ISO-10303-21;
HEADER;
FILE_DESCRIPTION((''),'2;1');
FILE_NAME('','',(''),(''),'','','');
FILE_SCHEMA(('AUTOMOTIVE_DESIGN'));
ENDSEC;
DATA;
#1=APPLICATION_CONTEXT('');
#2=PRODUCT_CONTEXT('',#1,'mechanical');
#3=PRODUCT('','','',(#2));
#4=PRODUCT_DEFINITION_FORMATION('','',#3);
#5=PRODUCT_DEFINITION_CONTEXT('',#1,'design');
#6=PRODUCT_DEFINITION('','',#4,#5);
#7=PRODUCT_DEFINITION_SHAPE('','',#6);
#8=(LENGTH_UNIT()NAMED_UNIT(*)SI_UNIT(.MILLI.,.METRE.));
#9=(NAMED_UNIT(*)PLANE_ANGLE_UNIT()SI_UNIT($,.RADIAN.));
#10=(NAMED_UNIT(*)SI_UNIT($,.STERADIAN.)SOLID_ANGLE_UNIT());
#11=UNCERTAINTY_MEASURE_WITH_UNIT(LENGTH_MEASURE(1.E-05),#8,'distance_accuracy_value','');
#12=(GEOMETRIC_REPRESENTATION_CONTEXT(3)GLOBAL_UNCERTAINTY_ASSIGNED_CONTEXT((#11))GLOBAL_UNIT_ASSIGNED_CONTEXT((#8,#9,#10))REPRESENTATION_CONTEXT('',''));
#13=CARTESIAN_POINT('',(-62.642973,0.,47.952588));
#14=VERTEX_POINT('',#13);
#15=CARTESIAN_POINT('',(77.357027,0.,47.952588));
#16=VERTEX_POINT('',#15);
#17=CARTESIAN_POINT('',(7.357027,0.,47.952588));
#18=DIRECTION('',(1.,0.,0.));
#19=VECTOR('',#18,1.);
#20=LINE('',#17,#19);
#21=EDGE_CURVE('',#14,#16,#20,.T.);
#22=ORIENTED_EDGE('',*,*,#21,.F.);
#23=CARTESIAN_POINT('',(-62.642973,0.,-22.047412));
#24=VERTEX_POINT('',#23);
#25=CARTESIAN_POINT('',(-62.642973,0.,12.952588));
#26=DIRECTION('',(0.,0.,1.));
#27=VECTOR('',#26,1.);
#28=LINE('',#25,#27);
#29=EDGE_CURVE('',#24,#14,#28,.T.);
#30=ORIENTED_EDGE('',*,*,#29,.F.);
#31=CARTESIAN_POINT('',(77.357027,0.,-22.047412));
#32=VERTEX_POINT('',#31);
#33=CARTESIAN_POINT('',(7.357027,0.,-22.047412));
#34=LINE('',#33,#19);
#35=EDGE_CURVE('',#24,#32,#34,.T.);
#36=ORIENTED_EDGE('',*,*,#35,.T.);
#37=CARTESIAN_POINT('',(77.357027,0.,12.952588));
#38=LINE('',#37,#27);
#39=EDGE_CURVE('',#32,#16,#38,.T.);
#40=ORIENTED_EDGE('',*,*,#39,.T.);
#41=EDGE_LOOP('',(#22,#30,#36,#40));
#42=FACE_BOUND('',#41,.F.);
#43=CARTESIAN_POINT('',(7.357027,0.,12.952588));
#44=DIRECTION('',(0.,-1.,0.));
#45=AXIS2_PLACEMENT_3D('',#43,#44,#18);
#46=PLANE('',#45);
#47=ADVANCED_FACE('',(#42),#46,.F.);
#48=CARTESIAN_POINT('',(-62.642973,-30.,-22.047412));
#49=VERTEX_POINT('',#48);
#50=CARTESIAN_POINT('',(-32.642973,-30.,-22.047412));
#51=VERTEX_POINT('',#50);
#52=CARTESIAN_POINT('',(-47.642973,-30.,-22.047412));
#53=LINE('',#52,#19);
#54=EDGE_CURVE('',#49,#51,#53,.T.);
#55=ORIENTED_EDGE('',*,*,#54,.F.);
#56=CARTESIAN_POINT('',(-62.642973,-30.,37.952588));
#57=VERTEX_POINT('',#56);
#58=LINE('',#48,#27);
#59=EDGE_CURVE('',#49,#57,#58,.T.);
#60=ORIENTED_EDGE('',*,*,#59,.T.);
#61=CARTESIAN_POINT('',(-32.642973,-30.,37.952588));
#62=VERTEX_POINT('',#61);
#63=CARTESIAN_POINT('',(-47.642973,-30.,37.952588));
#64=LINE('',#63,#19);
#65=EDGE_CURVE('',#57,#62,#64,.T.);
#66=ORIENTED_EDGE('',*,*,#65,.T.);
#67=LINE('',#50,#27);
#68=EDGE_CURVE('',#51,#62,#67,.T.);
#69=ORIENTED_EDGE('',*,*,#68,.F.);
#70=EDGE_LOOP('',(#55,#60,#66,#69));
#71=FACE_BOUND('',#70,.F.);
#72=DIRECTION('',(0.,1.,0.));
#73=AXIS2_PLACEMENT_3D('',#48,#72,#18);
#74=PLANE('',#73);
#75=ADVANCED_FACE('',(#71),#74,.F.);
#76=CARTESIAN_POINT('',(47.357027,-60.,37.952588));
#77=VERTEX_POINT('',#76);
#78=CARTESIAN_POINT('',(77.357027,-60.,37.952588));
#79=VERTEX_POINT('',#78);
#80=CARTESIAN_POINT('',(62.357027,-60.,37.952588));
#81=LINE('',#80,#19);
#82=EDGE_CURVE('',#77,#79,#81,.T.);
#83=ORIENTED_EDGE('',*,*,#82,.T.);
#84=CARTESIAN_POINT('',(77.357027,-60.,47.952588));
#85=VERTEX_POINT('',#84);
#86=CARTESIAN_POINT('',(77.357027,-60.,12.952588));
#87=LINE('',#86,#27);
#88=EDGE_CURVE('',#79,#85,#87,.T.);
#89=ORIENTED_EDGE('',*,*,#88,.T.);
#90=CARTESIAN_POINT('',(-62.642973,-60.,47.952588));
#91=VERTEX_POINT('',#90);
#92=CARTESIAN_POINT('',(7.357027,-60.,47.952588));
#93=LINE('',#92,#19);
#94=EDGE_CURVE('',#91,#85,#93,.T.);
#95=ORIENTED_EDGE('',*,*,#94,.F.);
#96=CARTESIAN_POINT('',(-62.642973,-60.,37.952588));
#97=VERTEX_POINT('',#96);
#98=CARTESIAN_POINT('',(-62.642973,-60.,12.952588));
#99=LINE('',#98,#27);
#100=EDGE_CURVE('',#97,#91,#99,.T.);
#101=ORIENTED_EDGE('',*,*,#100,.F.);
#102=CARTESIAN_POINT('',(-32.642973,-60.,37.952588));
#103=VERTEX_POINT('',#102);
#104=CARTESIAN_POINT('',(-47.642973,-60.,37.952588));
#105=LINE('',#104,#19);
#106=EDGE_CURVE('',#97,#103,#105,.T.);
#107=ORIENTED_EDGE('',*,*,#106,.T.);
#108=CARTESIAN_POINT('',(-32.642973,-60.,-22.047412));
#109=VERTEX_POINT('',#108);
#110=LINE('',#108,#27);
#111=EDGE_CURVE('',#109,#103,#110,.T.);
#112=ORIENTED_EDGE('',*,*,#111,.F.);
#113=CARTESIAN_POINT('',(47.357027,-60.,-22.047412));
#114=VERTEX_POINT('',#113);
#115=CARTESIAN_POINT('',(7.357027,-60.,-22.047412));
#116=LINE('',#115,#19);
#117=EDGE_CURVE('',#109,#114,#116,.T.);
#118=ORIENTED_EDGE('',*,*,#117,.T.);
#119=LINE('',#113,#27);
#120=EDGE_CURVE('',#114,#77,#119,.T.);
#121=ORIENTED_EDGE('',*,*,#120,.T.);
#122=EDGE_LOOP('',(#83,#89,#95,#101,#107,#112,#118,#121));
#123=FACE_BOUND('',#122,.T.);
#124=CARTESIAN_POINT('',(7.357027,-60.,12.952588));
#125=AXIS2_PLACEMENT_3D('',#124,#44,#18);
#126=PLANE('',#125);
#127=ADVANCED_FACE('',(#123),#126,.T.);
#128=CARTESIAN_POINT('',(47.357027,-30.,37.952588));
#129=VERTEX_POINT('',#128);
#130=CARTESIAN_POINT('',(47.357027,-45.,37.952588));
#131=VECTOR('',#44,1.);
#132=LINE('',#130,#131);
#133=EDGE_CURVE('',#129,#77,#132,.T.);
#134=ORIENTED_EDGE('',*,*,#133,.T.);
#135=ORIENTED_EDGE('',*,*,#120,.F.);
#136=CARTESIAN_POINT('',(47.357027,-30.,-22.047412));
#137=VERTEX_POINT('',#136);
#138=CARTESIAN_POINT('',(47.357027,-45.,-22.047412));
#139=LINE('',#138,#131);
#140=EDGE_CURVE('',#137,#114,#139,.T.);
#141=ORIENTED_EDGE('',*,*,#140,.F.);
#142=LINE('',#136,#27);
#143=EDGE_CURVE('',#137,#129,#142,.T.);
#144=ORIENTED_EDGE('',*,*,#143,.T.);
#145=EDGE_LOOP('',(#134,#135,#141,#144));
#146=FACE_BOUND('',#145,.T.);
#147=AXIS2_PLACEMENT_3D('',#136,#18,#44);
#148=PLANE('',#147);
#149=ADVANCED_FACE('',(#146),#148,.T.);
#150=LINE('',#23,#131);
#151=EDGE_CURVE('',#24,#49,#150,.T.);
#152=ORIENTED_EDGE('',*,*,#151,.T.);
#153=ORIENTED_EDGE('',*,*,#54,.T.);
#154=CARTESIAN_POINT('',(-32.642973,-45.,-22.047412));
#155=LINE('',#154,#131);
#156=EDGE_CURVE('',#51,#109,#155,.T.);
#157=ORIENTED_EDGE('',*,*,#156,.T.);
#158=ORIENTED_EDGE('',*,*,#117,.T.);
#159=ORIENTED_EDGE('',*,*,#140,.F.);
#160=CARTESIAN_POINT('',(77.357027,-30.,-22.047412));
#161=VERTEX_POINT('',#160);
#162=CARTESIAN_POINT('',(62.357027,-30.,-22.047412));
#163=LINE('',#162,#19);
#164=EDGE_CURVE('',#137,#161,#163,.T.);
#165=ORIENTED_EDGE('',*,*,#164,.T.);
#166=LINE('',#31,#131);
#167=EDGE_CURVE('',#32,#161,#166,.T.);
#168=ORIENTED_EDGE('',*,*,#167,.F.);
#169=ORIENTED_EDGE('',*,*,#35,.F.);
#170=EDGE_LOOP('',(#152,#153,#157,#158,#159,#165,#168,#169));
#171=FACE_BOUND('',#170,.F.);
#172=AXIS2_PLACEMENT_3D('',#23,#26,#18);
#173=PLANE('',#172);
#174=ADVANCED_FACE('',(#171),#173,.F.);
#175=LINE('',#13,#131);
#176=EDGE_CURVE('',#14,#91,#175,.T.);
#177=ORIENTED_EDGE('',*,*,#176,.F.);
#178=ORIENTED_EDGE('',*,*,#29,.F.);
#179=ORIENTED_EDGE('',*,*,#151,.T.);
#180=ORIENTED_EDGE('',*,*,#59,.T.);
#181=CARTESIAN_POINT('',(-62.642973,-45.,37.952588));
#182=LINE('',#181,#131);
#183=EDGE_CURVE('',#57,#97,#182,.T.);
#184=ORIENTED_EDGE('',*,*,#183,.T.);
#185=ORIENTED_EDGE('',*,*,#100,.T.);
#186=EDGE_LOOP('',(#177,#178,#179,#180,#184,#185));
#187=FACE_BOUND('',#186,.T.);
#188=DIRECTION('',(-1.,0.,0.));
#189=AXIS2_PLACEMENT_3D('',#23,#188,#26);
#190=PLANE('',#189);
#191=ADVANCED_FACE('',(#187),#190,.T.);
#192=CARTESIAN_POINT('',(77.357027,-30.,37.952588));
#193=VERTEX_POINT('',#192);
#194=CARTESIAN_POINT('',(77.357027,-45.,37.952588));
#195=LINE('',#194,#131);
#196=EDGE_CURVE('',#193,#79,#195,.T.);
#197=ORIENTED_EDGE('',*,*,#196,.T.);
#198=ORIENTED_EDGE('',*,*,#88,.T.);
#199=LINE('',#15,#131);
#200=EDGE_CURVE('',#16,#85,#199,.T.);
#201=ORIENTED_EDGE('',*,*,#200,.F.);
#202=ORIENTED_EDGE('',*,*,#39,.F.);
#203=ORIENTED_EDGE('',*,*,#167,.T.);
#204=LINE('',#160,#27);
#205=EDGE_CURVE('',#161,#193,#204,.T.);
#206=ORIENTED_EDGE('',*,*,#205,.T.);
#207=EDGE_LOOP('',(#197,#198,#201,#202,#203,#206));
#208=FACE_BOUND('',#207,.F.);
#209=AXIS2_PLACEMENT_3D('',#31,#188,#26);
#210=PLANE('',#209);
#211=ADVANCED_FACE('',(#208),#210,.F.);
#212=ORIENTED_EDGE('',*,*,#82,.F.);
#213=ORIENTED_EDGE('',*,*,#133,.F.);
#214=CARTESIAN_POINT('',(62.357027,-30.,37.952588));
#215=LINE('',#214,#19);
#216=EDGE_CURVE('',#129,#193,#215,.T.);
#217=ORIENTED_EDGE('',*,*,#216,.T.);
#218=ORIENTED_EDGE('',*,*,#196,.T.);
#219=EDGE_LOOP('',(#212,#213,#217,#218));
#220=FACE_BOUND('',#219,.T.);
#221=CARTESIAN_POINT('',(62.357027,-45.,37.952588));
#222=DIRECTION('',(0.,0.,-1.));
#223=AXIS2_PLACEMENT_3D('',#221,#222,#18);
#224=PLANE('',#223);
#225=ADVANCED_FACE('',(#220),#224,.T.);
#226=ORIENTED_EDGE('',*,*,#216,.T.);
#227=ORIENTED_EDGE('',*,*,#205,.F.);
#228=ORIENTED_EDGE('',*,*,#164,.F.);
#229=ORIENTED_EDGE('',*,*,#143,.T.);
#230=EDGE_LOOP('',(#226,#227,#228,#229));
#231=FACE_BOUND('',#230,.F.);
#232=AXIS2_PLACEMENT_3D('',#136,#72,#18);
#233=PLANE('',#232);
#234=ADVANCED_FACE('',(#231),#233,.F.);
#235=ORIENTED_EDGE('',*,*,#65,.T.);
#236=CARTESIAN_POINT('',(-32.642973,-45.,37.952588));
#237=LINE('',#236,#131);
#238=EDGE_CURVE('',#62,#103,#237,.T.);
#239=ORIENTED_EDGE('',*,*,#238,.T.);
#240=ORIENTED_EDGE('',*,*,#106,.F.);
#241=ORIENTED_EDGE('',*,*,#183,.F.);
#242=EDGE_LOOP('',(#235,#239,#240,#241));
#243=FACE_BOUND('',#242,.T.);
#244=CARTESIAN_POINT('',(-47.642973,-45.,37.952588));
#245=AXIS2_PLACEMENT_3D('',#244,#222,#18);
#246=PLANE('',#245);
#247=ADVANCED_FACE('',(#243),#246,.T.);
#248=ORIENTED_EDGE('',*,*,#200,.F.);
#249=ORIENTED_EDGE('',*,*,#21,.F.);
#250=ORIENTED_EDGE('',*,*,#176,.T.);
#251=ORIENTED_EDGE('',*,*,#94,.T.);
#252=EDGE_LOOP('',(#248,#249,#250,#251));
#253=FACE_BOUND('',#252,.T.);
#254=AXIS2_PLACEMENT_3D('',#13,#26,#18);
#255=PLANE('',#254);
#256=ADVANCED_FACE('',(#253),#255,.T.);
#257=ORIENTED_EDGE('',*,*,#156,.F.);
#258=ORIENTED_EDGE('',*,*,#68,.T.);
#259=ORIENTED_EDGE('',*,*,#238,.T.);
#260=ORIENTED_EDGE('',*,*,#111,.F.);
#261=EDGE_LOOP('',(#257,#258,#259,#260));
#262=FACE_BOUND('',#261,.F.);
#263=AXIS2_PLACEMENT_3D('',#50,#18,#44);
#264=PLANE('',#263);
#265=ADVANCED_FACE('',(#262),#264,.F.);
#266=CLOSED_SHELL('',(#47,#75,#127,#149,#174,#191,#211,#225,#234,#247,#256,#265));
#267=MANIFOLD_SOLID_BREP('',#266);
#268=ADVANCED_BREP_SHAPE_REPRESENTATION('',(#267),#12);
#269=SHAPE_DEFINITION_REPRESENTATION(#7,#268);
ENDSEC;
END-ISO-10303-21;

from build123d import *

# Parameters (mm, degrees)
F0_W     = 140
F0_H     = 70
F1_DEPTH = 60
F2_W     = 30
F2_H     = 30
F3_DEPTH = 60
F4_W     = 30
F4_H     = 30
F5_DEPTH = 60


with BuildPart() as f1:
    # F0 (on Front) → F1 (new body)
    with BuildSketch(Plane.XZ):
        with Locations((7.357027, 12.952588)):
            Rectangle(F0_W, F0_H)
    extrude(amount=F1_DEPTH)

    # F2 (on face) → F3 (cut)
    with BuildSketch(Plane(origin=(0, 0, -22.047412), x_dir=(1, 0, 0), z_dir=(0, 0, -1))):
        with Locations((-47.642973, 45)):
            Rectangle(F2_W, F2_H)
    extrude(amount=-F3_DEPTH, mode=Mode.SUBTRACT)

    # F4 (on face) → F5 (cut)
    with BuildSketch(Plane(origin=(0, 0, -22.047412), x_dir=(1, 0, 0), z_dir=(0, 0, -1))):
        with Locations((62.357027, 45)):
            Rectangle(F4_W, F4_H)
    extrude(amount=-F5_DEPTH, mode=Mode.SUBTRACT)


solid = f1.part
